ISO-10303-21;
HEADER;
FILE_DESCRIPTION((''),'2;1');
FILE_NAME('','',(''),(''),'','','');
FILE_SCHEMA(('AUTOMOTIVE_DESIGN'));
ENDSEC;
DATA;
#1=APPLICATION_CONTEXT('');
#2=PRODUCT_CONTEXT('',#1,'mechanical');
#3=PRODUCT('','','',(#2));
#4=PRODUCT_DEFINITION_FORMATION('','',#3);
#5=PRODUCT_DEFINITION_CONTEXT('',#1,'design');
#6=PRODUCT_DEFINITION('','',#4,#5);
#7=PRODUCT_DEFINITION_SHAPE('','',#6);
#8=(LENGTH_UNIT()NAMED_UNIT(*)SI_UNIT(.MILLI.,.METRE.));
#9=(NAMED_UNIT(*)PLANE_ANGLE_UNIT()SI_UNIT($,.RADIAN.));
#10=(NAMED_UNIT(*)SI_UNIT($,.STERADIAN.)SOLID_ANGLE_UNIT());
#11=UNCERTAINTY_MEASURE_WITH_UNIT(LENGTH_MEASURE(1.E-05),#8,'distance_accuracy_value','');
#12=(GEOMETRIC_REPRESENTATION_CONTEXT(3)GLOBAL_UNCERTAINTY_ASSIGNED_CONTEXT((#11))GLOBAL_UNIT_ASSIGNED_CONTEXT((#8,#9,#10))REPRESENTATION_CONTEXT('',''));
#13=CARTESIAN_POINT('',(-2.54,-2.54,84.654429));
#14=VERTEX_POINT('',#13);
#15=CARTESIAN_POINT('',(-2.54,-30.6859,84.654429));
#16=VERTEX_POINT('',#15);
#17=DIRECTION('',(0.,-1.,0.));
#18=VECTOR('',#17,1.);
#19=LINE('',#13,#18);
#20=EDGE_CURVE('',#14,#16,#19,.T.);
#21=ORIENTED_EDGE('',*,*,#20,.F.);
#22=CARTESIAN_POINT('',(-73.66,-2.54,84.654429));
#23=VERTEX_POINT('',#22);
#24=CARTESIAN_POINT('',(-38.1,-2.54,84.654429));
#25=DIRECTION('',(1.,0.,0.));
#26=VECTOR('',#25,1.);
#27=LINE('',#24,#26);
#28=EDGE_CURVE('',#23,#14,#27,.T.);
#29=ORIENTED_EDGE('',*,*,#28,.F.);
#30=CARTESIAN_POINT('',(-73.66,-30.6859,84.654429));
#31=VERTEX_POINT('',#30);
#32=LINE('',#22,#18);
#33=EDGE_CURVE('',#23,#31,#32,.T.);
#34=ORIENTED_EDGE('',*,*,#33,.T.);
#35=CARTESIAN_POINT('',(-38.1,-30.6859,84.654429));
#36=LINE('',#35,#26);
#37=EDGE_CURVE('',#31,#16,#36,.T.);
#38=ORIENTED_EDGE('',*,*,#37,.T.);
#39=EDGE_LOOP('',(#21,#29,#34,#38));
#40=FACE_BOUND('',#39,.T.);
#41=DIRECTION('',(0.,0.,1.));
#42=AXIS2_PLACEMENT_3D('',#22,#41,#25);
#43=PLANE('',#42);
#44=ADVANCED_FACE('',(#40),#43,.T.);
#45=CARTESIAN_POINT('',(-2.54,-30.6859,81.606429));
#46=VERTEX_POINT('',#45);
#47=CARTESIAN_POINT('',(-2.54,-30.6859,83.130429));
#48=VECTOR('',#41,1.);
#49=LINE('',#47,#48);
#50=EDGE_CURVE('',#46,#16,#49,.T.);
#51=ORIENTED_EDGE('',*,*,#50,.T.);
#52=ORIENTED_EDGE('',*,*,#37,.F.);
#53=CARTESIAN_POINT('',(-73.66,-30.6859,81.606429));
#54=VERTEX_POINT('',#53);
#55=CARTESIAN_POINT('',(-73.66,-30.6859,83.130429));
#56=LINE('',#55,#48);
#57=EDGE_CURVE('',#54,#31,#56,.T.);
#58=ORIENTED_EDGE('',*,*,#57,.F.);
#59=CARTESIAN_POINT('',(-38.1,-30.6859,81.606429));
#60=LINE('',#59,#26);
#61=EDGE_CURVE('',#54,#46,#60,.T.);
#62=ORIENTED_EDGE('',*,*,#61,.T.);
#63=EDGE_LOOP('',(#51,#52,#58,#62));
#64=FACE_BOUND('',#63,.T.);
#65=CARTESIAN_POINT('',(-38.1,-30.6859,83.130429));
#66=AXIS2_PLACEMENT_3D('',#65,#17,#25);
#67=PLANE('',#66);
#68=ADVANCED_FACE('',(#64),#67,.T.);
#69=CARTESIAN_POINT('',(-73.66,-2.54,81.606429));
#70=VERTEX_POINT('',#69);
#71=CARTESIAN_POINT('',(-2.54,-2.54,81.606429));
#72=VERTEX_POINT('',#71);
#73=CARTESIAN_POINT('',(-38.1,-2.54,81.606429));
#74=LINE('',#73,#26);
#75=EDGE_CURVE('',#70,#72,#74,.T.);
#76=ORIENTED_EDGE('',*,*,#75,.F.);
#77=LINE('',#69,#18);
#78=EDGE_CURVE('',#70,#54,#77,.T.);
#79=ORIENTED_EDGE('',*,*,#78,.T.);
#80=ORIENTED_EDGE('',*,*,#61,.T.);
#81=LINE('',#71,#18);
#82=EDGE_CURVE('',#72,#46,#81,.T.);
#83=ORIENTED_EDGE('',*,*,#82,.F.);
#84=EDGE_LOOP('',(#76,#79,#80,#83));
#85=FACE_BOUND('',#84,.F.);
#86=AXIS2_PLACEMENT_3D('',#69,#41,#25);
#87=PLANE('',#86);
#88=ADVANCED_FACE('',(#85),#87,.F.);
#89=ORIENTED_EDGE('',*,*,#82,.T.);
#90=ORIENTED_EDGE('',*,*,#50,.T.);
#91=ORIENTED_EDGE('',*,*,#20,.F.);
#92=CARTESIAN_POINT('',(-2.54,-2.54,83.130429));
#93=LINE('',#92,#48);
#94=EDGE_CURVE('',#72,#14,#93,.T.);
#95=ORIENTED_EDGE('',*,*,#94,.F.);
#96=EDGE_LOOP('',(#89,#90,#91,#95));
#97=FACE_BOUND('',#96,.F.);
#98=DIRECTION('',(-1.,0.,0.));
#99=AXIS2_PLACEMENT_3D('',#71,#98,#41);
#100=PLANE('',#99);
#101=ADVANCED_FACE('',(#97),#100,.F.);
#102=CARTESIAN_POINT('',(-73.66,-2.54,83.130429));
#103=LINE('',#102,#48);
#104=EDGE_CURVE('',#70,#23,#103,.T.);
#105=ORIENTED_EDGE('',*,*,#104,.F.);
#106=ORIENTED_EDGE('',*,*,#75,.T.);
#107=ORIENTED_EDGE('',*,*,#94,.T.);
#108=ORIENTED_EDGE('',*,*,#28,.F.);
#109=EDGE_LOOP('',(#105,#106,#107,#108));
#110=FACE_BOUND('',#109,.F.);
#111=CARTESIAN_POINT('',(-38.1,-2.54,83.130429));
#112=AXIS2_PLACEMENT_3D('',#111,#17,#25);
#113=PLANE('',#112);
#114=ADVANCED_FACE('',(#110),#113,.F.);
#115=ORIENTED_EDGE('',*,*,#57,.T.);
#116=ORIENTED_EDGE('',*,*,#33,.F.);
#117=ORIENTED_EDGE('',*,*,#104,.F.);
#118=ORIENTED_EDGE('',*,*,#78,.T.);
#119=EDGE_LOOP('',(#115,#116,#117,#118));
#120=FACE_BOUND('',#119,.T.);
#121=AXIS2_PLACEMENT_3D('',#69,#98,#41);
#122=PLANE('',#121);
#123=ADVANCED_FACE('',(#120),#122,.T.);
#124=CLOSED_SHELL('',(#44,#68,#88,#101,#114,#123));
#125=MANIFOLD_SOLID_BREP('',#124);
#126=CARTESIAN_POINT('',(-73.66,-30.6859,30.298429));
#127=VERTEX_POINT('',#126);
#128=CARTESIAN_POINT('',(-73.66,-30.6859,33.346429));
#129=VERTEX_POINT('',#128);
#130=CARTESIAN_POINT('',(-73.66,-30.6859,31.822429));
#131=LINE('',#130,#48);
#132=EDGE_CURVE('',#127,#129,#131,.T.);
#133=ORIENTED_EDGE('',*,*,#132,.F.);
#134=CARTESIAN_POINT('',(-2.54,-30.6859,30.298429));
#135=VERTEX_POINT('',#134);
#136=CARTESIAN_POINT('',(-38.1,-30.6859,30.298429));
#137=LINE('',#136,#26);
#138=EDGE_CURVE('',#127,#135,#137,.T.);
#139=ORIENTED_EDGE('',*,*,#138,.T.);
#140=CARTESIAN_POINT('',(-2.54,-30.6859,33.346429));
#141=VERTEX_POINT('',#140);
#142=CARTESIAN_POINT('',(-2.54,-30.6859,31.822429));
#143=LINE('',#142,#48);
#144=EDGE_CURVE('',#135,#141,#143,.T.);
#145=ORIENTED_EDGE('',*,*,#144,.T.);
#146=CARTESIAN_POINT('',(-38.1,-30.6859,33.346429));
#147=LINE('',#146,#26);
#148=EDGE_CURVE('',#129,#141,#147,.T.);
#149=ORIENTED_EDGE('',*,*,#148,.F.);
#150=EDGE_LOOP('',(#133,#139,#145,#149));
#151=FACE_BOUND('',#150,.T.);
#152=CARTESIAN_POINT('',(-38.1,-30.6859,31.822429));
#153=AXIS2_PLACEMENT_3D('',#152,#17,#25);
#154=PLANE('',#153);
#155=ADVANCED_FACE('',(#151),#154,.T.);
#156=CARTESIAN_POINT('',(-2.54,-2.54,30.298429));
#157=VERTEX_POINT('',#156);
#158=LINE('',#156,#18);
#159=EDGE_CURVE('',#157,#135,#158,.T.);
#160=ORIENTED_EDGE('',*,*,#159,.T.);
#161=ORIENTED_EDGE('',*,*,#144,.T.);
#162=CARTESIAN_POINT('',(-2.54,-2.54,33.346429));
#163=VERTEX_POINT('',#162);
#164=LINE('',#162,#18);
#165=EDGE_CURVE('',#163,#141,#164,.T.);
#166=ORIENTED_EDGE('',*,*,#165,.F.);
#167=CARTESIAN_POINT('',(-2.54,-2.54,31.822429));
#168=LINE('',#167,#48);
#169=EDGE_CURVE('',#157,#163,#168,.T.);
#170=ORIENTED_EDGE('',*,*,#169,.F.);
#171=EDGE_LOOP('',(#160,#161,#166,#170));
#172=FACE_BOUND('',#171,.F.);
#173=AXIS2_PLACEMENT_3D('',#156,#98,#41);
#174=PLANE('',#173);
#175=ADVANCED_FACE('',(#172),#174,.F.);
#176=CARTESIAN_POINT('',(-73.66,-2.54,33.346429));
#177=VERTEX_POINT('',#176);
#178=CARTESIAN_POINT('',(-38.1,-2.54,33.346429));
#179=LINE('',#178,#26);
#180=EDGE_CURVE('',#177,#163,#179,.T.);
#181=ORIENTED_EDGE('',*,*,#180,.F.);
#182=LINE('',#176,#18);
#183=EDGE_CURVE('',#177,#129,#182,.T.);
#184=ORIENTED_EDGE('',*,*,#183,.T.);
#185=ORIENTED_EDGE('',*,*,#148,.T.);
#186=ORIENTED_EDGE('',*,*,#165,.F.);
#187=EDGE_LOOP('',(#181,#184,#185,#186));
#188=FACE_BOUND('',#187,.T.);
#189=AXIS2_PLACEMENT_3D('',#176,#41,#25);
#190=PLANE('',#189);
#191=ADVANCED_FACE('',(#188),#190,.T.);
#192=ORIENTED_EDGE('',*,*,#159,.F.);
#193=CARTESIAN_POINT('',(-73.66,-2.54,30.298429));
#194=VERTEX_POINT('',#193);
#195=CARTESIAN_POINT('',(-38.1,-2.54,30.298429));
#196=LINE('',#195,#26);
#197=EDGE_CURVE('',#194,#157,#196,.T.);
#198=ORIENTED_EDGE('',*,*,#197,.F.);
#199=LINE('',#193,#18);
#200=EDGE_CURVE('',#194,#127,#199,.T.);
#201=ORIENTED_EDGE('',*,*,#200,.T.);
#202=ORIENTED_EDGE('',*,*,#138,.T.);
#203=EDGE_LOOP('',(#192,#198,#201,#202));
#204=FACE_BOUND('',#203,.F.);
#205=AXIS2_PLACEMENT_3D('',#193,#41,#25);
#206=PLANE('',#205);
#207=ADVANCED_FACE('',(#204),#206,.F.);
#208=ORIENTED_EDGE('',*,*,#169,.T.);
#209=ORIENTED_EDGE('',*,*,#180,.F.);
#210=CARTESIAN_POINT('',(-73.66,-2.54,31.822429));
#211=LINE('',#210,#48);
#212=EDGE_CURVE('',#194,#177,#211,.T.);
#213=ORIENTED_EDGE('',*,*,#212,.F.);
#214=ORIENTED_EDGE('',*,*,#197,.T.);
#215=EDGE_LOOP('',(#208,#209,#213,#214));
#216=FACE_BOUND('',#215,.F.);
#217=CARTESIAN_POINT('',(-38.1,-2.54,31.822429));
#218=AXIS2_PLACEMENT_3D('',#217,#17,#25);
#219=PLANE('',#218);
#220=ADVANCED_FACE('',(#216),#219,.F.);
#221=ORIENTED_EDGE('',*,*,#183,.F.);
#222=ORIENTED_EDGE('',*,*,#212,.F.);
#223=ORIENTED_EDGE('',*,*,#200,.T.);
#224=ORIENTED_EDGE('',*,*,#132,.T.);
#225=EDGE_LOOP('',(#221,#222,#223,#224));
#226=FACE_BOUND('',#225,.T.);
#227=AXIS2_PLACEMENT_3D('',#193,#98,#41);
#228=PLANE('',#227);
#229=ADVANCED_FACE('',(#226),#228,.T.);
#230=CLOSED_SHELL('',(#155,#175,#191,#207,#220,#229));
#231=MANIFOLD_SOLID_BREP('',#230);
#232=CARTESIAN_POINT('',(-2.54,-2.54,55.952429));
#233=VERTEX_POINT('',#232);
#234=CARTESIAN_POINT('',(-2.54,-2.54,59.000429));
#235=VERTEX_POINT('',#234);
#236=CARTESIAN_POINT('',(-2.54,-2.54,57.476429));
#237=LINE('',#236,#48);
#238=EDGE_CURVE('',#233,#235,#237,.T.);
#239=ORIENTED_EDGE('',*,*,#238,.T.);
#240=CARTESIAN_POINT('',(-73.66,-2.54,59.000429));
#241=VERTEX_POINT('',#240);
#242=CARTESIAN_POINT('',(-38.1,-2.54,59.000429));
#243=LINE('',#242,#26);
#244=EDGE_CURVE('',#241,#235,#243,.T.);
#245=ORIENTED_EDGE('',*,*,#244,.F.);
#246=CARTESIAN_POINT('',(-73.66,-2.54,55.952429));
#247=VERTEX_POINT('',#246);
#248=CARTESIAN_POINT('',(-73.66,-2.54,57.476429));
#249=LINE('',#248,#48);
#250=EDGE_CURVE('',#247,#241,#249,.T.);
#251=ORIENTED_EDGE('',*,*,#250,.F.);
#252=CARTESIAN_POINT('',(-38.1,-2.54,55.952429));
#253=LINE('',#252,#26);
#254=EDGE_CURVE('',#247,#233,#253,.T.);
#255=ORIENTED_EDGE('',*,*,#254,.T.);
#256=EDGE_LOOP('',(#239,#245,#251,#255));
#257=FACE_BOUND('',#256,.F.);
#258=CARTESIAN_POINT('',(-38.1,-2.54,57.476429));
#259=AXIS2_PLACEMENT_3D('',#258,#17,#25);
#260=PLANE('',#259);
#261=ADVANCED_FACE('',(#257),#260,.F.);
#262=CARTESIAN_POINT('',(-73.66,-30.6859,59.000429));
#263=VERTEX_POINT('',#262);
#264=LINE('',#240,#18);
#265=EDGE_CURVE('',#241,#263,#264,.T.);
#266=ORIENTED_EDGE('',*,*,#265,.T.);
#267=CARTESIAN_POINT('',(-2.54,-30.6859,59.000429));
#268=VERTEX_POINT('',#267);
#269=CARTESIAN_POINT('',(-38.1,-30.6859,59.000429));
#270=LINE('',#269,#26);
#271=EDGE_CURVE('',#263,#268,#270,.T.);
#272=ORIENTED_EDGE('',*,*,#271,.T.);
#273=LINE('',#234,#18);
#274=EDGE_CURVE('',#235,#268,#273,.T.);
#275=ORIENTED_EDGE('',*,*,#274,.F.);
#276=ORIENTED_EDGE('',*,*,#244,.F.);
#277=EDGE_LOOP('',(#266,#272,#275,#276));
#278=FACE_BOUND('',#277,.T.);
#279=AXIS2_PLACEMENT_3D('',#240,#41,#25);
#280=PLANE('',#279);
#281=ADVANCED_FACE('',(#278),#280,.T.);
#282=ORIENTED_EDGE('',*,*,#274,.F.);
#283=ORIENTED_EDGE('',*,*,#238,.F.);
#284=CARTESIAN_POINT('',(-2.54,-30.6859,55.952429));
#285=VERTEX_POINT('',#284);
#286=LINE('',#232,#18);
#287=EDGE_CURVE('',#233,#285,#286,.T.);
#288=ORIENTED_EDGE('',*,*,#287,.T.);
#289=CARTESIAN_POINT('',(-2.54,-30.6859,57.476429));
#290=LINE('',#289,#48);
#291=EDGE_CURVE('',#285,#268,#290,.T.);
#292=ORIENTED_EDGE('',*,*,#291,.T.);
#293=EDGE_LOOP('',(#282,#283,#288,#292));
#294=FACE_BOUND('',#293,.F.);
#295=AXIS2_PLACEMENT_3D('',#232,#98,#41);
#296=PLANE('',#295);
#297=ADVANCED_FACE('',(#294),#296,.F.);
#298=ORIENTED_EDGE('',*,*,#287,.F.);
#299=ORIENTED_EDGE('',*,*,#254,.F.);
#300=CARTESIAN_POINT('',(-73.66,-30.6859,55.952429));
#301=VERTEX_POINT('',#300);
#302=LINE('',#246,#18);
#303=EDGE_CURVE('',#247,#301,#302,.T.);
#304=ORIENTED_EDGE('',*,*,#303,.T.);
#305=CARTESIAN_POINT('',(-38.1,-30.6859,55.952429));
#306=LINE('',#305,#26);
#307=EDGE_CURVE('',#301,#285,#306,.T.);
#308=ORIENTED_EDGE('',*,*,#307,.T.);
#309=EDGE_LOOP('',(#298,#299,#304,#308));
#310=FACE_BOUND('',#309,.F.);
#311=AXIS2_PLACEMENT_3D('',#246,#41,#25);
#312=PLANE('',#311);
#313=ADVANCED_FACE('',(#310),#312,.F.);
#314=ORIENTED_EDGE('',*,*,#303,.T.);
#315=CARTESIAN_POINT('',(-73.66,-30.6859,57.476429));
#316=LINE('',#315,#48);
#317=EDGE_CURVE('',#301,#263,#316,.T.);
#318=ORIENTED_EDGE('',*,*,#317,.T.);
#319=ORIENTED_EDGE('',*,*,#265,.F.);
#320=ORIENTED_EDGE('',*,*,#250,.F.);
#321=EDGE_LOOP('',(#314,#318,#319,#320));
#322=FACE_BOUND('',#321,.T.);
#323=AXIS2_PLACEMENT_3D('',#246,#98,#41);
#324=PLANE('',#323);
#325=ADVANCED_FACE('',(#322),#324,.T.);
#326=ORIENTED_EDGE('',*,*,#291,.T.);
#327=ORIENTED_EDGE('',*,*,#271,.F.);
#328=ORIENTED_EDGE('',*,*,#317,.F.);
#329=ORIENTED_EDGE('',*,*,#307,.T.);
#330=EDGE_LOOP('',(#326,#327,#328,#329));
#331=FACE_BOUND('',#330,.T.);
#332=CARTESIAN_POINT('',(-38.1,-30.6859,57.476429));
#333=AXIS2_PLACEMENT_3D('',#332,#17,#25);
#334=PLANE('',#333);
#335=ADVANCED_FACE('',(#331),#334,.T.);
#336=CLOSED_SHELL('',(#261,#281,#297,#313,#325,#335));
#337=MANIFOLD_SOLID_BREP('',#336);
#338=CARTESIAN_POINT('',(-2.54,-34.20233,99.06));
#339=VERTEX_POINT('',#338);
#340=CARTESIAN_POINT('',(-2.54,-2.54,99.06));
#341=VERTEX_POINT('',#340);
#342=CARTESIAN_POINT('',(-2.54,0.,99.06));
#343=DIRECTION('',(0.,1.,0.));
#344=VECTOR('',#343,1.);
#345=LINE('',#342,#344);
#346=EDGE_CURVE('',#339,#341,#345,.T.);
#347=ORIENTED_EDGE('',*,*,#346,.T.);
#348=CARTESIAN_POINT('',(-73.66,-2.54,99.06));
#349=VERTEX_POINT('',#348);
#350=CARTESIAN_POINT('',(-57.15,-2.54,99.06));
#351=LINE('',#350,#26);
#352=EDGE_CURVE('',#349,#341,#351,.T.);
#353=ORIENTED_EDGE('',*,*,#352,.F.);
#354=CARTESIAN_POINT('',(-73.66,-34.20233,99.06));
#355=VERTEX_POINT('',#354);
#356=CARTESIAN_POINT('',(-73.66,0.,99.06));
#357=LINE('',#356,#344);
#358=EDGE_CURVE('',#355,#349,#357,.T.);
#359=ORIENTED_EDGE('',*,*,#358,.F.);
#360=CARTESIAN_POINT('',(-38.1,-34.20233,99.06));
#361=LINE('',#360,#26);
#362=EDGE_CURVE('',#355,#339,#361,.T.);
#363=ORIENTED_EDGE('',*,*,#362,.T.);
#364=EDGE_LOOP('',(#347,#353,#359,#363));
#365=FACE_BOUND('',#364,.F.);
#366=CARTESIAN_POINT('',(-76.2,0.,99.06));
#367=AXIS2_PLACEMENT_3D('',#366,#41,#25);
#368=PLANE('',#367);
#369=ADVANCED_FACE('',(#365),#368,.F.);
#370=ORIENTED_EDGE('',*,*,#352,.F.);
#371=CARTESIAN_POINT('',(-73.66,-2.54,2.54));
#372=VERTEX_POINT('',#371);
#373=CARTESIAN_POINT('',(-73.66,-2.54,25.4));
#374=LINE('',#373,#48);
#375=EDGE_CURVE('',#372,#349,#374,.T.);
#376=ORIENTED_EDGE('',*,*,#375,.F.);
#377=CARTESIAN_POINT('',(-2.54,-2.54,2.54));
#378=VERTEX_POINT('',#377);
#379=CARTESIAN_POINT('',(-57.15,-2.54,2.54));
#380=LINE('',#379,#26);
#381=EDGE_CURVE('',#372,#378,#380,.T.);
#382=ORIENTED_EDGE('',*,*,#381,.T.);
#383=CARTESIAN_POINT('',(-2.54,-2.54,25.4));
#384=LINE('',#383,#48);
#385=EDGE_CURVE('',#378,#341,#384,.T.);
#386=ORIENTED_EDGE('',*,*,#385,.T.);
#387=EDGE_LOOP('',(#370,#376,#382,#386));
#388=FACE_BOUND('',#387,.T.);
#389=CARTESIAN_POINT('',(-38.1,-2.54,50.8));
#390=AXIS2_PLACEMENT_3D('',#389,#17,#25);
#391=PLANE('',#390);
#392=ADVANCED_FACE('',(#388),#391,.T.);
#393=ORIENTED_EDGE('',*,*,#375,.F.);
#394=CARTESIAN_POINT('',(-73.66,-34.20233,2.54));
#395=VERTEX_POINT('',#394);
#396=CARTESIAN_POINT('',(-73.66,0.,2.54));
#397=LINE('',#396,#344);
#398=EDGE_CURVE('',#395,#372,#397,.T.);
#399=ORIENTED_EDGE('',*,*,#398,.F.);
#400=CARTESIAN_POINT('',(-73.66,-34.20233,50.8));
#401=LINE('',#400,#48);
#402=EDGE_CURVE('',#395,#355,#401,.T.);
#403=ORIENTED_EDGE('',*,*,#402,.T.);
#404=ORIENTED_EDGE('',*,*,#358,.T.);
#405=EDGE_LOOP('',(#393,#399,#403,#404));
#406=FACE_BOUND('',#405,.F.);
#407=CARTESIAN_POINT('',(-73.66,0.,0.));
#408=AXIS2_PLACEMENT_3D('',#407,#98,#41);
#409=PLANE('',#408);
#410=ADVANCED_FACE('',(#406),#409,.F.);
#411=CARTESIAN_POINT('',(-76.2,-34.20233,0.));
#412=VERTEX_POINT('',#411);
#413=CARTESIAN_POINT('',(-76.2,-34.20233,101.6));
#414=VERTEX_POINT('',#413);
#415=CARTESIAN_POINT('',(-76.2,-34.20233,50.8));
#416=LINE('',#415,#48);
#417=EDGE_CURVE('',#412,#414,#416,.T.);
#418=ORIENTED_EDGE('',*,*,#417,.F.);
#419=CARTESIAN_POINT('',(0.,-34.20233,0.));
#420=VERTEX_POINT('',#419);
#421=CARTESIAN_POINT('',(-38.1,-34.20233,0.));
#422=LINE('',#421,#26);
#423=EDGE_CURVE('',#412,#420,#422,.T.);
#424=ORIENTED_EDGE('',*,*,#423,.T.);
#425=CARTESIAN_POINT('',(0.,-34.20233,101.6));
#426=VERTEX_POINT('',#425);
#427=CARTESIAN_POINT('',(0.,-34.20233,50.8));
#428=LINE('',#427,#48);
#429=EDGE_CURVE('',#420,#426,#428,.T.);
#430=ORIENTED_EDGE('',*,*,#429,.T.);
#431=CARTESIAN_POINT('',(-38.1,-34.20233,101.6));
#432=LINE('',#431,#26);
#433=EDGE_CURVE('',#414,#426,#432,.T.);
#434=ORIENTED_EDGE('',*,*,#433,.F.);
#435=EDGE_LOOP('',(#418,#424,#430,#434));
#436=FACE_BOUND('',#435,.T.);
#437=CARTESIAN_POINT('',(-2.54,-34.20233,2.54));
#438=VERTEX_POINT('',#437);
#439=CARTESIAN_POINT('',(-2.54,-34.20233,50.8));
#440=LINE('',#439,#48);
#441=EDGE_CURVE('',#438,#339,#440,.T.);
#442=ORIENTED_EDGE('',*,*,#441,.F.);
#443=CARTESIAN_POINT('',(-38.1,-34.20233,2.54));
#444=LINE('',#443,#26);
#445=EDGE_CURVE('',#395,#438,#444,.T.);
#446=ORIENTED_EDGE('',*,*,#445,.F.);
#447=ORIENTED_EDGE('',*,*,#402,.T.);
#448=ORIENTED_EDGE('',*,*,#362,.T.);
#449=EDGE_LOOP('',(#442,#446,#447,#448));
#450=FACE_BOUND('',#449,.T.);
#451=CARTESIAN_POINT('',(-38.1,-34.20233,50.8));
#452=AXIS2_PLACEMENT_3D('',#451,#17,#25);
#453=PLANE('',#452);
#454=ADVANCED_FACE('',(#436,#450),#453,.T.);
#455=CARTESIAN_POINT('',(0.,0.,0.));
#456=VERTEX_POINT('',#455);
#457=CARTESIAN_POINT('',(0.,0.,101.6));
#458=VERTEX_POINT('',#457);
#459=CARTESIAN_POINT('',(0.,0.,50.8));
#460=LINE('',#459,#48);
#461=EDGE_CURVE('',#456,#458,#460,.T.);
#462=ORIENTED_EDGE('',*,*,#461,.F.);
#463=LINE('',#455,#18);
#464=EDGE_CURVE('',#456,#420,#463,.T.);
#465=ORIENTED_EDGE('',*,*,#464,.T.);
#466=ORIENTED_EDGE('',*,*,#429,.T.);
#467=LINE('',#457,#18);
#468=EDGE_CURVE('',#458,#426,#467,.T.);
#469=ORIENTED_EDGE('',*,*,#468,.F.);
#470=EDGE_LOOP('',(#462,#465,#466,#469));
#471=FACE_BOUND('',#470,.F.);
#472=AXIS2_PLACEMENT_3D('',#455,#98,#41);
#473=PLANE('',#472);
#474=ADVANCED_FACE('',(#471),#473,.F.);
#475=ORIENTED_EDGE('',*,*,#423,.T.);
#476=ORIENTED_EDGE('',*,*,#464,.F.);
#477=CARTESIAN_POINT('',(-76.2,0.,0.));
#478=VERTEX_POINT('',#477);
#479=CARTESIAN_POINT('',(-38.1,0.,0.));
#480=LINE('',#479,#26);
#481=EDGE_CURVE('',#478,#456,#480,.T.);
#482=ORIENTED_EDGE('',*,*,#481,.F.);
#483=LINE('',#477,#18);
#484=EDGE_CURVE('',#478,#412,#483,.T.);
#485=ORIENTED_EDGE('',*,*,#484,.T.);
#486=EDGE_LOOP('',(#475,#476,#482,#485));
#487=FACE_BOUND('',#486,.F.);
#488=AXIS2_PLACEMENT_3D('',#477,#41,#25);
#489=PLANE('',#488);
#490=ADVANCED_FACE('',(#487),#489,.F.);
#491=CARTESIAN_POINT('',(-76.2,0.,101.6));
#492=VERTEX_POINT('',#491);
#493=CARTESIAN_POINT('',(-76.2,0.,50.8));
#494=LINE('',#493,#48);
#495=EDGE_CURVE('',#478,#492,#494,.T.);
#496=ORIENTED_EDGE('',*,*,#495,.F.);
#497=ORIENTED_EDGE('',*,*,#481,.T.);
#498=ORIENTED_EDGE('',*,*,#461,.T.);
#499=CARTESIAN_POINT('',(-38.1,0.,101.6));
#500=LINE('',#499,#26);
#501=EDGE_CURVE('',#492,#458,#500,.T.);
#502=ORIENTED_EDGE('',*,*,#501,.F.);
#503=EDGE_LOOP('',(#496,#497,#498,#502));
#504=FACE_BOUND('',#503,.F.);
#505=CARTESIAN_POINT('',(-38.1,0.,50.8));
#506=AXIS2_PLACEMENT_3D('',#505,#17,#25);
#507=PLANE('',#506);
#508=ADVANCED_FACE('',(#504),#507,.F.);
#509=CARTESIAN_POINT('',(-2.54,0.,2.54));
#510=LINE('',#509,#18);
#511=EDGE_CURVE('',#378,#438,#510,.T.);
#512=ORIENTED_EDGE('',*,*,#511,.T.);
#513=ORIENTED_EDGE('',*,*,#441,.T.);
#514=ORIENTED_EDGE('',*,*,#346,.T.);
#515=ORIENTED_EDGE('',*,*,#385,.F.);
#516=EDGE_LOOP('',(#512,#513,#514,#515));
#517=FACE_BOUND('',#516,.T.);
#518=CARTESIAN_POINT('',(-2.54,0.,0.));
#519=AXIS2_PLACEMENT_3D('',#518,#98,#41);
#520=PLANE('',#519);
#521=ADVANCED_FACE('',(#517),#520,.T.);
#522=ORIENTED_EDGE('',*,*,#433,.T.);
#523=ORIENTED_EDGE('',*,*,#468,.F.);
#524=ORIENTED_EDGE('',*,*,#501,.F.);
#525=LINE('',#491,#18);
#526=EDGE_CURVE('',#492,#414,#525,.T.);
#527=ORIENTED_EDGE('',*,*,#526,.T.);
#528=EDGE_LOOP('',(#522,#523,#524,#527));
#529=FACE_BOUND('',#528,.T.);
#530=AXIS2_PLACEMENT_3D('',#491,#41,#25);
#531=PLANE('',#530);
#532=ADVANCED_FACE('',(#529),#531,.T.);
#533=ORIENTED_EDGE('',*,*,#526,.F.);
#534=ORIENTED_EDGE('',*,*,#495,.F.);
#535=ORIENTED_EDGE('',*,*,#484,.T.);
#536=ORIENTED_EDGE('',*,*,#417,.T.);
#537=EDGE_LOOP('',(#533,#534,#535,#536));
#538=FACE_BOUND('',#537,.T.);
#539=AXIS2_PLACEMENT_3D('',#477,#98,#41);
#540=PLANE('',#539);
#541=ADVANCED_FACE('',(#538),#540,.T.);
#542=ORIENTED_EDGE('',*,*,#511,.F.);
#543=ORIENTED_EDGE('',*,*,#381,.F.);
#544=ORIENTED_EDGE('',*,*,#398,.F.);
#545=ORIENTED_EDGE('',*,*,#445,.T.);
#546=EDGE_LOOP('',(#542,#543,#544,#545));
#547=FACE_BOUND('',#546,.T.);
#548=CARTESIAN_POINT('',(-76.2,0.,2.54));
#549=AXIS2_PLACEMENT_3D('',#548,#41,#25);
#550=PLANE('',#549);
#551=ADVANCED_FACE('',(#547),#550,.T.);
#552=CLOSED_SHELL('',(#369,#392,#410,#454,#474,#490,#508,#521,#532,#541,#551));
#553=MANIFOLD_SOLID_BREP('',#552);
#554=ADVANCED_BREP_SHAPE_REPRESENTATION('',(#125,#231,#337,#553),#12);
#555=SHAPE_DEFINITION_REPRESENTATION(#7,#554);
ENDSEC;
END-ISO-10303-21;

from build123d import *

# Parameters (mm, degrees)
F0_W     = 76.2
F0_H     = 101.6
F1_DEPTH = 34.20233
F2_T     = -2.54
F3_W     = 71.12
F3_H     = 3.048
F4_DEPTH = 28.1459


with BuildPart() as f1:
    # F0 (on Front) → F1 (new body)
    with BuildSketch(Plane.XZ):
        with Locations((-38.1, 50.8)):
            Rectangle(F0_W, F0_H)
    extrude(amount=F1_DEPTH)

    # F2
    f2_openings = [f1.faces().sort_by_distance(p)[0] for p in [
        (-38.1, -34.20233, 50.8),
    ]]
    offset(amount=F2_T, openings=f2_openings)


with BuildPart() as f4:
    # F3 (on face) → F4 (new body)
    with BuildSketch(Plane.XZ.offset(2.54)):
        with Locations((-38.1, 57.476429)):
            Rectangle(F3_W, F3_H)
        with Locations((-38.1, 31.822429)):
            Rectangle(F3_W, F3_H)
        with Locations((-38.1, 83.130429)):
            Rectangle(F3_W, F3_H)
    extrude(amount=F4_DEPTH)


solid = Compound([f1.part, f4.part])
